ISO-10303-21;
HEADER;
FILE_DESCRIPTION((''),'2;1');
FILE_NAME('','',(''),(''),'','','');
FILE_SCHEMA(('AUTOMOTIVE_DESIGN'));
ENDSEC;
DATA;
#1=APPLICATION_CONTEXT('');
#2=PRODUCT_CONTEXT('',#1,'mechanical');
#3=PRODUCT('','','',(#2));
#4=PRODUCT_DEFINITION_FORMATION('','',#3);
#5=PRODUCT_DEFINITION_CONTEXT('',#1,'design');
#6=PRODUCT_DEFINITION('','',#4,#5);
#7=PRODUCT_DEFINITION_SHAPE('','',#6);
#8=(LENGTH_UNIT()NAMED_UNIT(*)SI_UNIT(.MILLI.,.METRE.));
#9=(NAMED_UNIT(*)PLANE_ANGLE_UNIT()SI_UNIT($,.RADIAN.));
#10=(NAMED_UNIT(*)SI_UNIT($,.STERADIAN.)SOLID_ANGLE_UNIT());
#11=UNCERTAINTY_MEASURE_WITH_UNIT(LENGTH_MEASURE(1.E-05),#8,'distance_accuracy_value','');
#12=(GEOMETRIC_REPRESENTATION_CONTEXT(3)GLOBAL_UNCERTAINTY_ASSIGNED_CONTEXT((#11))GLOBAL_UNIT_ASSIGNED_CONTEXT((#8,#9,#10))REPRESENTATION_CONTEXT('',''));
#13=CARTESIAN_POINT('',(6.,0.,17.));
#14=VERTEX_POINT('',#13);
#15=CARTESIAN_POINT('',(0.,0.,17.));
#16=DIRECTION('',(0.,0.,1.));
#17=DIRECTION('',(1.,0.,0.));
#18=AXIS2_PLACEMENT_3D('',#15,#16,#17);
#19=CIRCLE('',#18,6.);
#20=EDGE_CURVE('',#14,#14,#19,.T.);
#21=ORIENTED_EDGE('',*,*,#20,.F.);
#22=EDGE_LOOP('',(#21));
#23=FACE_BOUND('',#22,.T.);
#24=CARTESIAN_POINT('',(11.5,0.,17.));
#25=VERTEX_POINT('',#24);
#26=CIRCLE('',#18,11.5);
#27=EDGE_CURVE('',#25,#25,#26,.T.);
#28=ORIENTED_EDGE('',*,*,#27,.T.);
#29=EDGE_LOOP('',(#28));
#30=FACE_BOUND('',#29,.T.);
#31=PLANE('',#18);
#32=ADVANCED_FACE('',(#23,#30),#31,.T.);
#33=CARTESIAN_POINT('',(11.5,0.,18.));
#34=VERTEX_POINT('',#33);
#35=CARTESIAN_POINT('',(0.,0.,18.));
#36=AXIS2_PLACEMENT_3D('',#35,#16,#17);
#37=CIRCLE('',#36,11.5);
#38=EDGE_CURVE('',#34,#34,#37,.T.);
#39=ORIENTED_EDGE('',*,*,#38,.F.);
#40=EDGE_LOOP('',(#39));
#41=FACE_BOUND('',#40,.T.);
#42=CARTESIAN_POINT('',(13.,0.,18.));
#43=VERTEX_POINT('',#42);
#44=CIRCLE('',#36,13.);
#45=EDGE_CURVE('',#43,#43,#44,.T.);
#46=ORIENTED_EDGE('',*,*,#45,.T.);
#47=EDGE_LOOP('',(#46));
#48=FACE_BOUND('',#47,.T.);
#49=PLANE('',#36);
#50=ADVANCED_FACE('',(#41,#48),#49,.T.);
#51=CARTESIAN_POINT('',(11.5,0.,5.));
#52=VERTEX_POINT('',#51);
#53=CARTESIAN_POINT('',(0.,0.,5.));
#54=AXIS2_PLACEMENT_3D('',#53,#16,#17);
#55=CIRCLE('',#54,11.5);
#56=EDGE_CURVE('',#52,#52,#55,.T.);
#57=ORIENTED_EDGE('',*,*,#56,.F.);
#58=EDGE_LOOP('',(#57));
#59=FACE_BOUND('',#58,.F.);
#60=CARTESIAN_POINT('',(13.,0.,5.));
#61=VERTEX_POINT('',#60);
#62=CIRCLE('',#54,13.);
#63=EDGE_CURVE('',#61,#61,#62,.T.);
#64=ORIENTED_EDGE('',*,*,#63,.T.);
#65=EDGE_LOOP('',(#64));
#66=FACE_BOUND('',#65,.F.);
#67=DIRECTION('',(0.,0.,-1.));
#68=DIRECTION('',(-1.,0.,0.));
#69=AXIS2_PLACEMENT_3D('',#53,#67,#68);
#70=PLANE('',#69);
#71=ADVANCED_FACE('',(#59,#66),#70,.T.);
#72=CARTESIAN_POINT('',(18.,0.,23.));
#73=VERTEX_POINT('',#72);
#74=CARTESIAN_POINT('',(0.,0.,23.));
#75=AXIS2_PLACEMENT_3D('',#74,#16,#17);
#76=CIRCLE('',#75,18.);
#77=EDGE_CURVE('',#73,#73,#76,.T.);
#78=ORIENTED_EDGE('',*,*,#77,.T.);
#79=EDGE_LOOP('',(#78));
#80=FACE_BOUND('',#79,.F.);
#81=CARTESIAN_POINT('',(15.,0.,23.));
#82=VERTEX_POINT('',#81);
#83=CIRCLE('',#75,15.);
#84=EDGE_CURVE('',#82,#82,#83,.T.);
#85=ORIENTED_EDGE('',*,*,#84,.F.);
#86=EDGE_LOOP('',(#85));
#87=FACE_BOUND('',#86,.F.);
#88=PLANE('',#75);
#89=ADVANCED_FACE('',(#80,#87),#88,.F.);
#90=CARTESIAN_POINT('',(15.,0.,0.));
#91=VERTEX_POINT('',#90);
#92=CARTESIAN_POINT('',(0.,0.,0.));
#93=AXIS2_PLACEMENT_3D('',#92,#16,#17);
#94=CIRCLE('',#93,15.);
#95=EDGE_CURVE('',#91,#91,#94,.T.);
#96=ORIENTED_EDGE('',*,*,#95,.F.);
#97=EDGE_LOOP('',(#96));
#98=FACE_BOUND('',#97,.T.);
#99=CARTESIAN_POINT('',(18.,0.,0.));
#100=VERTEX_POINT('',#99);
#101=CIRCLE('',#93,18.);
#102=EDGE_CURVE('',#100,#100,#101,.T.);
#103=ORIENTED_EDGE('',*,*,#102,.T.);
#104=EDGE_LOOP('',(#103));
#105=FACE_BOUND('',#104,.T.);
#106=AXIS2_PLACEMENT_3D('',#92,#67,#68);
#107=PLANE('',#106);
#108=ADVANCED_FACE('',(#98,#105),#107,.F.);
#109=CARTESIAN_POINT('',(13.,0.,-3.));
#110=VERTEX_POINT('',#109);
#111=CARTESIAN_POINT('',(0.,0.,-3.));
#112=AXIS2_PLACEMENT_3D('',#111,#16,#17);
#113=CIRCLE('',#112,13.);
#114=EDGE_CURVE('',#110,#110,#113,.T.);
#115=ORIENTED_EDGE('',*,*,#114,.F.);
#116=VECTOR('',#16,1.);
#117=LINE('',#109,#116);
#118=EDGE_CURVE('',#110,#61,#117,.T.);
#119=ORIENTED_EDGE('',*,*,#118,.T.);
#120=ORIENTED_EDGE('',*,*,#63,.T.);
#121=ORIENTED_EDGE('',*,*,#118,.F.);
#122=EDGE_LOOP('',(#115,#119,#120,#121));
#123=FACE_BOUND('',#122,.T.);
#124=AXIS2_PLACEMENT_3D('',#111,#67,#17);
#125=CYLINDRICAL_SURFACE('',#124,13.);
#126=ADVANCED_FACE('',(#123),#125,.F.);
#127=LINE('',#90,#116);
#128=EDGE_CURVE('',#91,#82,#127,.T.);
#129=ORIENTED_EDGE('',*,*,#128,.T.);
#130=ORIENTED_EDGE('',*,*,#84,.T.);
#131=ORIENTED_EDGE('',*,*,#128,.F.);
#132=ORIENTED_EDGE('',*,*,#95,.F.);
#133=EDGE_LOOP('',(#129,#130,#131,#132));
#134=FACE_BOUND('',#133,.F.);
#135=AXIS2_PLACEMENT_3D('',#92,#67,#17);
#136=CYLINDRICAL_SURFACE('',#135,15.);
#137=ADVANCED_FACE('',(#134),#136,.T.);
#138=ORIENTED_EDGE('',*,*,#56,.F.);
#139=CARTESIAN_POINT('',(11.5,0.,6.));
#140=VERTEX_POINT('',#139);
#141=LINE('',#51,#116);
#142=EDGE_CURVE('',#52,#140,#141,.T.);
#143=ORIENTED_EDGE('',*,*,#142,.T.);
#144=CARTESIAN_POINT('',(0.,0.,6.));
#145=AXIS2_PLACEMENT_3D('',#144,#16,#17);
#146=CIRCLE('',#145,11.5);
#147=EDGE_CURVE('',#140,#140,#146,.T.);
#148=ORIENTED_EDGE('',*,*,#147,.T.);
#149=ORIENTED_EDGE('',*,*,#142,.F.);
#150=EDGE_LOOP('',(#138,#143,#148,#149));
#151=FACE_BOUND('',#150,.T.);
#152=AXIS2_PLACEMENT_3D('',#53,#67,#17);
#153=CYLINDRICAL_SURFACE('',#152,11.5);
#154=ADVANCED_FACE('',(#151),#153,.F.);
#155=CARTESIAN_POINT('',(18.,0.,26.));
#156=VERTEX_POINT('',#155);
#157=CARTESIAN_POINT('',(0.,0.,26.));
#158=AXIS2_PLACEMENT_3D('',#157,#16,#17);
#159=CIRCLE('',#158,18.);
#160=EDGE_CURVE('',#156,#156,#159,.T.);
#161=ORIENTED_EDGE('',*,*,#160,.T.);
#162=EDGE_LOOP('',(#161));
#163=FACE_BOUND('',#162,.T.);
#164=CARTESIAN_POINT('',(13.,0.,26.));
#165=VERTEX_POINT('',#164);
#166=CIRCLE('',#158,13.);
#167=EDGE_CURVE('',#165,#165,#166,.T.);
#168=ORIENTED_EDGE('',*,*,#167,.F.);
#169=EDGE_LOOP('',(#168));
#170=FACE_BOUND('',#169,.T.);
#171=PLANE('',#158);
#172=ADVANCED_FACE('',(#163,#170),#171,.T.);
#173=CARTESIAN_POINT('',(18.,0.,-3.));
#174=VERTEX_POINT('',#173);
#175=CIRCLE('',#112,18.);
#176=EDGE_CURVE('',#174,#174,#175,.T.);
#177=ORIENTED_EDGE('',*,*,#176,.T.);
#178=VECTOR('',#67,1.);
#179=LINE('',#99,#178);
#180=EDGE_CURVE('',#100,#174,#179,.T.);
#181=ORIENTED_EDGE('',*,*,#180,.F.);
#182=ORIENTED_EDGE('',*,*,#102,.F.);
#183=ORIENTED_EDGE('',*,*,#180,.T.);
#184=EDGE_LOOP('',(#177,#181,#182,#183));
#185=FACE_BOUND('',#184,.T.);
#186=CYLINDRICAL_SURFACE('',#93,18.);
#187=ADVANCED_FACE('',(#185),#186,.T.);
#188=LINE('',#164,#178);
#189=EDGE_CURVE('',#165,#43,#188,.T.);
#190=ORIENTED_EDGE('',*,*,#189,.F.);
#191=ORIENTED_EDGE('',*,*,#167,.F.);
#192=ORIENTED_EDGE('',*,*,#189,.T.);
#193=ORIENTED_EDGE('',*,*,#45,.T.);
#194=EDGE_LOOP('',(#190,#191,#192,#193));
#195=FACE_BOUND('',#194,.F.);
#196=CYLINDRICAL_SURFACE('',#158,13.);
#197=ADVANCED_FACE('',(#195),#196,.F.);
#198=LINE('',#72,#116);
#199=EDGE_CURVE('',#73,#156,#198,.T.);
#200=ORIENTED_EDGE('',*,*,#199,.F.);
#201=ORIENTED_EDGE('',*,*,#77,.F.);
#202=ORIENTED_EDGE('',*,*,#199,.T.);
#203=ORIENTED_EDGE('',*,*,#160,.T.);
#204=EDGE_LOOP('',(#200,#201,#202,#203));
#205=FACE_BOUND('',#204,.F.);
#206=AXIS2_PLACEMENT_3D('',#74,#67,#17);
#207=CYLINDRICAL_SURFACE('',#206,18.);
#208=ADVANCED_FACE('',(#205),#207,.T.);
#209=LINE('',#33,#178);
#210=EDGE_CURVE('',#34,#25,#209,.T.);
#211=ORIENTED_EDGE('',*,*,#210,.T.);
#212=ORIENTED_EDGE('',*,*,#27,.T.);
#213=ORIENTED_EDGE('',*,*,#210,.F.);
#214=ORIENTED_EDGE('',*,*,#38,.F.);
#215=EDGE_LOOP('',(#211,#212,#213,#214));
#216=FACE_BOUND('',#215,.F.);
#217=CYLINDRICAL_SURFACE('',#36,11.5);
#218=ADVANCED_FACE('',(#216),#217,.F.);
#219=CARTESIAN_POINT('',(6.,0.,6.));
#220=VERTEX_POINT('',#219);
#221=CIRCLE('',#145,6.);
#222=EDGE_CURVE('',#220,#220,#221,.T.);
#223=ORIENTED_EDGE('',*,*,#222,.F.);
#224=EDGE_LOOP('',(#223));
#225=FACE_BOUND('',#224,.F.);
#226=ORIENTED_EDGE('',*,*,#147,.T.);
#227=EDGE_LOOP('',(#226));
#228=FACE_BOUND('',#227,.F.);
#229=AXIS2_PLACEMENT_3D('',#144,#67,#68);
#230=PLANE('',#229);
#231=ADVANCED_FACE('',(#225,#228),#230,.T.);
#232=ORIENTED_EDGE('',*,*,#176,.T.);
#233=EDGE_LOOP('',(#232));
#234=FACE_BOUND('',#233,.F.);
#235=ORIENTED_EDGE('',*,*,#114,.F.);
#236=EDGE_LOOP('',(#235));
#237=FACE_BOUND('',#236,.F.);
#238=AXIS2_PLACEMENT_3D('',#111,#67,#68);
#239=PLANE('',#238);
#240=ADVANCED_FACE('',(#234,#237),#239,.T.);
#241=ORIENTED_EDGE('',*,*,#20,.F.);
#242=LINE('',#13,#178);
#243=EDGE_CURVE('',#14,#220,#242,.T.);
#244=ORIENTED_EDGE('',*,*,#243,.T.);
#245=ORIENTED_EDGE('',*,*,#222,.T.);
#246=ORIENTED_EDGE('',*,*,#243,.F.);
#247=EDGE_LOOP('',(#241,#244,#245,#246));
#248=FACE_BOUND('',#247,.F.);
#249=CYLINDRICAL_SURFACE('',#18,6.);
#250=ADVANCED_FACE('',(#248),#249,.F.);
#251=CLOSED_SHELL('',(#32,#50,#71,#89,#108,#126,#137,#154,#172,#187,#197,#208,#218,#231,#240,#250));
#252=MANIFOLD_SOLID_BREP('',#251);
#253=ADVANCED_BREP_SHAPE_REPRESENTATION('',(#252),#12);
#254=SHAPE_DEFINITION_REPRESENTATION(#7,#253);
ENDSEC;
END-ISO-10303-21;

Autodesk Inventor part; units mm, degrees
ref_plane "YZ Plane" through (0, 0, 0) normal (1, 0, 0) x (0, 1, 0)
ref_plane "XZ Plane" through (0, 0, 0) normal (0, 1, 0) x (-1, 0, 0)
sketch "Skizze1" plane through (0, 0, 0) normal (0, 0, 1) x (1, 0, 0)
  circle A0 centre (0, 0) radius 15
  dimension "d0" = 30
extrude "Extrusion1" add sketch "Skizze1" along normal blind 23
sketch "Skizze2" plane through (0, 0, 23) normal (0, 0, 1) x (1, 0, 0)
  circle A0 centre (0, 0) radius 18
  circle A1 centre (0, 0) radius 15 projected
  dimension "d3" = 3
extrude "Extrusion2" add sketch "Skizze2" along normal blind 3 contours A0 | A1
ref_plane "Arbeitsebene1" through (0, 0, 11.5) normal (0, 0, -1) x (-1, 0, 0)
mirror "Spiegeln1" about plane through (0, 0, 11.5) normal (0, 0, -1) of "Extrusion2"
sketch "Skizze3" plane through (0, 0, 26) normal (0, 0, 1) x (1, 0, 0)
  circle A0 centre (0, 0) radius 13
  dimension "d6" = 26
extrude "Extrusion3" cut sketch "Skizze3" against normal blind 8
sketch "Skizze4" plane through (0, 0, 18) normal (0, 0, 1) x (1, 0, 0)
  circle A0 centre (0, 0) radius 11.5
  circle A1 centre (0, 0) radius 13 projected
  dimension "d9" = 1.5
extrude "Extrusion4" cut sketch "Skizze4" against normal blind 1 contours A0
mirror "Spiegeln2" about plane through (0, 0, 11.5) normal (0, 0, -1) of "Extrusion4", "Extrusion3"
sketch "Skizze5" plane through (0, 0, 17) normal (0, 0, 1) x (1, 0, 0)
  circle A0 centre (0, 0) radius 6
  dimension "d12" = 12
extrude "Extrusion5" cut sketch "Skizze5" against normal through all
properties part number "ABS Walze" material "PC/ABS-Kunststoff"
